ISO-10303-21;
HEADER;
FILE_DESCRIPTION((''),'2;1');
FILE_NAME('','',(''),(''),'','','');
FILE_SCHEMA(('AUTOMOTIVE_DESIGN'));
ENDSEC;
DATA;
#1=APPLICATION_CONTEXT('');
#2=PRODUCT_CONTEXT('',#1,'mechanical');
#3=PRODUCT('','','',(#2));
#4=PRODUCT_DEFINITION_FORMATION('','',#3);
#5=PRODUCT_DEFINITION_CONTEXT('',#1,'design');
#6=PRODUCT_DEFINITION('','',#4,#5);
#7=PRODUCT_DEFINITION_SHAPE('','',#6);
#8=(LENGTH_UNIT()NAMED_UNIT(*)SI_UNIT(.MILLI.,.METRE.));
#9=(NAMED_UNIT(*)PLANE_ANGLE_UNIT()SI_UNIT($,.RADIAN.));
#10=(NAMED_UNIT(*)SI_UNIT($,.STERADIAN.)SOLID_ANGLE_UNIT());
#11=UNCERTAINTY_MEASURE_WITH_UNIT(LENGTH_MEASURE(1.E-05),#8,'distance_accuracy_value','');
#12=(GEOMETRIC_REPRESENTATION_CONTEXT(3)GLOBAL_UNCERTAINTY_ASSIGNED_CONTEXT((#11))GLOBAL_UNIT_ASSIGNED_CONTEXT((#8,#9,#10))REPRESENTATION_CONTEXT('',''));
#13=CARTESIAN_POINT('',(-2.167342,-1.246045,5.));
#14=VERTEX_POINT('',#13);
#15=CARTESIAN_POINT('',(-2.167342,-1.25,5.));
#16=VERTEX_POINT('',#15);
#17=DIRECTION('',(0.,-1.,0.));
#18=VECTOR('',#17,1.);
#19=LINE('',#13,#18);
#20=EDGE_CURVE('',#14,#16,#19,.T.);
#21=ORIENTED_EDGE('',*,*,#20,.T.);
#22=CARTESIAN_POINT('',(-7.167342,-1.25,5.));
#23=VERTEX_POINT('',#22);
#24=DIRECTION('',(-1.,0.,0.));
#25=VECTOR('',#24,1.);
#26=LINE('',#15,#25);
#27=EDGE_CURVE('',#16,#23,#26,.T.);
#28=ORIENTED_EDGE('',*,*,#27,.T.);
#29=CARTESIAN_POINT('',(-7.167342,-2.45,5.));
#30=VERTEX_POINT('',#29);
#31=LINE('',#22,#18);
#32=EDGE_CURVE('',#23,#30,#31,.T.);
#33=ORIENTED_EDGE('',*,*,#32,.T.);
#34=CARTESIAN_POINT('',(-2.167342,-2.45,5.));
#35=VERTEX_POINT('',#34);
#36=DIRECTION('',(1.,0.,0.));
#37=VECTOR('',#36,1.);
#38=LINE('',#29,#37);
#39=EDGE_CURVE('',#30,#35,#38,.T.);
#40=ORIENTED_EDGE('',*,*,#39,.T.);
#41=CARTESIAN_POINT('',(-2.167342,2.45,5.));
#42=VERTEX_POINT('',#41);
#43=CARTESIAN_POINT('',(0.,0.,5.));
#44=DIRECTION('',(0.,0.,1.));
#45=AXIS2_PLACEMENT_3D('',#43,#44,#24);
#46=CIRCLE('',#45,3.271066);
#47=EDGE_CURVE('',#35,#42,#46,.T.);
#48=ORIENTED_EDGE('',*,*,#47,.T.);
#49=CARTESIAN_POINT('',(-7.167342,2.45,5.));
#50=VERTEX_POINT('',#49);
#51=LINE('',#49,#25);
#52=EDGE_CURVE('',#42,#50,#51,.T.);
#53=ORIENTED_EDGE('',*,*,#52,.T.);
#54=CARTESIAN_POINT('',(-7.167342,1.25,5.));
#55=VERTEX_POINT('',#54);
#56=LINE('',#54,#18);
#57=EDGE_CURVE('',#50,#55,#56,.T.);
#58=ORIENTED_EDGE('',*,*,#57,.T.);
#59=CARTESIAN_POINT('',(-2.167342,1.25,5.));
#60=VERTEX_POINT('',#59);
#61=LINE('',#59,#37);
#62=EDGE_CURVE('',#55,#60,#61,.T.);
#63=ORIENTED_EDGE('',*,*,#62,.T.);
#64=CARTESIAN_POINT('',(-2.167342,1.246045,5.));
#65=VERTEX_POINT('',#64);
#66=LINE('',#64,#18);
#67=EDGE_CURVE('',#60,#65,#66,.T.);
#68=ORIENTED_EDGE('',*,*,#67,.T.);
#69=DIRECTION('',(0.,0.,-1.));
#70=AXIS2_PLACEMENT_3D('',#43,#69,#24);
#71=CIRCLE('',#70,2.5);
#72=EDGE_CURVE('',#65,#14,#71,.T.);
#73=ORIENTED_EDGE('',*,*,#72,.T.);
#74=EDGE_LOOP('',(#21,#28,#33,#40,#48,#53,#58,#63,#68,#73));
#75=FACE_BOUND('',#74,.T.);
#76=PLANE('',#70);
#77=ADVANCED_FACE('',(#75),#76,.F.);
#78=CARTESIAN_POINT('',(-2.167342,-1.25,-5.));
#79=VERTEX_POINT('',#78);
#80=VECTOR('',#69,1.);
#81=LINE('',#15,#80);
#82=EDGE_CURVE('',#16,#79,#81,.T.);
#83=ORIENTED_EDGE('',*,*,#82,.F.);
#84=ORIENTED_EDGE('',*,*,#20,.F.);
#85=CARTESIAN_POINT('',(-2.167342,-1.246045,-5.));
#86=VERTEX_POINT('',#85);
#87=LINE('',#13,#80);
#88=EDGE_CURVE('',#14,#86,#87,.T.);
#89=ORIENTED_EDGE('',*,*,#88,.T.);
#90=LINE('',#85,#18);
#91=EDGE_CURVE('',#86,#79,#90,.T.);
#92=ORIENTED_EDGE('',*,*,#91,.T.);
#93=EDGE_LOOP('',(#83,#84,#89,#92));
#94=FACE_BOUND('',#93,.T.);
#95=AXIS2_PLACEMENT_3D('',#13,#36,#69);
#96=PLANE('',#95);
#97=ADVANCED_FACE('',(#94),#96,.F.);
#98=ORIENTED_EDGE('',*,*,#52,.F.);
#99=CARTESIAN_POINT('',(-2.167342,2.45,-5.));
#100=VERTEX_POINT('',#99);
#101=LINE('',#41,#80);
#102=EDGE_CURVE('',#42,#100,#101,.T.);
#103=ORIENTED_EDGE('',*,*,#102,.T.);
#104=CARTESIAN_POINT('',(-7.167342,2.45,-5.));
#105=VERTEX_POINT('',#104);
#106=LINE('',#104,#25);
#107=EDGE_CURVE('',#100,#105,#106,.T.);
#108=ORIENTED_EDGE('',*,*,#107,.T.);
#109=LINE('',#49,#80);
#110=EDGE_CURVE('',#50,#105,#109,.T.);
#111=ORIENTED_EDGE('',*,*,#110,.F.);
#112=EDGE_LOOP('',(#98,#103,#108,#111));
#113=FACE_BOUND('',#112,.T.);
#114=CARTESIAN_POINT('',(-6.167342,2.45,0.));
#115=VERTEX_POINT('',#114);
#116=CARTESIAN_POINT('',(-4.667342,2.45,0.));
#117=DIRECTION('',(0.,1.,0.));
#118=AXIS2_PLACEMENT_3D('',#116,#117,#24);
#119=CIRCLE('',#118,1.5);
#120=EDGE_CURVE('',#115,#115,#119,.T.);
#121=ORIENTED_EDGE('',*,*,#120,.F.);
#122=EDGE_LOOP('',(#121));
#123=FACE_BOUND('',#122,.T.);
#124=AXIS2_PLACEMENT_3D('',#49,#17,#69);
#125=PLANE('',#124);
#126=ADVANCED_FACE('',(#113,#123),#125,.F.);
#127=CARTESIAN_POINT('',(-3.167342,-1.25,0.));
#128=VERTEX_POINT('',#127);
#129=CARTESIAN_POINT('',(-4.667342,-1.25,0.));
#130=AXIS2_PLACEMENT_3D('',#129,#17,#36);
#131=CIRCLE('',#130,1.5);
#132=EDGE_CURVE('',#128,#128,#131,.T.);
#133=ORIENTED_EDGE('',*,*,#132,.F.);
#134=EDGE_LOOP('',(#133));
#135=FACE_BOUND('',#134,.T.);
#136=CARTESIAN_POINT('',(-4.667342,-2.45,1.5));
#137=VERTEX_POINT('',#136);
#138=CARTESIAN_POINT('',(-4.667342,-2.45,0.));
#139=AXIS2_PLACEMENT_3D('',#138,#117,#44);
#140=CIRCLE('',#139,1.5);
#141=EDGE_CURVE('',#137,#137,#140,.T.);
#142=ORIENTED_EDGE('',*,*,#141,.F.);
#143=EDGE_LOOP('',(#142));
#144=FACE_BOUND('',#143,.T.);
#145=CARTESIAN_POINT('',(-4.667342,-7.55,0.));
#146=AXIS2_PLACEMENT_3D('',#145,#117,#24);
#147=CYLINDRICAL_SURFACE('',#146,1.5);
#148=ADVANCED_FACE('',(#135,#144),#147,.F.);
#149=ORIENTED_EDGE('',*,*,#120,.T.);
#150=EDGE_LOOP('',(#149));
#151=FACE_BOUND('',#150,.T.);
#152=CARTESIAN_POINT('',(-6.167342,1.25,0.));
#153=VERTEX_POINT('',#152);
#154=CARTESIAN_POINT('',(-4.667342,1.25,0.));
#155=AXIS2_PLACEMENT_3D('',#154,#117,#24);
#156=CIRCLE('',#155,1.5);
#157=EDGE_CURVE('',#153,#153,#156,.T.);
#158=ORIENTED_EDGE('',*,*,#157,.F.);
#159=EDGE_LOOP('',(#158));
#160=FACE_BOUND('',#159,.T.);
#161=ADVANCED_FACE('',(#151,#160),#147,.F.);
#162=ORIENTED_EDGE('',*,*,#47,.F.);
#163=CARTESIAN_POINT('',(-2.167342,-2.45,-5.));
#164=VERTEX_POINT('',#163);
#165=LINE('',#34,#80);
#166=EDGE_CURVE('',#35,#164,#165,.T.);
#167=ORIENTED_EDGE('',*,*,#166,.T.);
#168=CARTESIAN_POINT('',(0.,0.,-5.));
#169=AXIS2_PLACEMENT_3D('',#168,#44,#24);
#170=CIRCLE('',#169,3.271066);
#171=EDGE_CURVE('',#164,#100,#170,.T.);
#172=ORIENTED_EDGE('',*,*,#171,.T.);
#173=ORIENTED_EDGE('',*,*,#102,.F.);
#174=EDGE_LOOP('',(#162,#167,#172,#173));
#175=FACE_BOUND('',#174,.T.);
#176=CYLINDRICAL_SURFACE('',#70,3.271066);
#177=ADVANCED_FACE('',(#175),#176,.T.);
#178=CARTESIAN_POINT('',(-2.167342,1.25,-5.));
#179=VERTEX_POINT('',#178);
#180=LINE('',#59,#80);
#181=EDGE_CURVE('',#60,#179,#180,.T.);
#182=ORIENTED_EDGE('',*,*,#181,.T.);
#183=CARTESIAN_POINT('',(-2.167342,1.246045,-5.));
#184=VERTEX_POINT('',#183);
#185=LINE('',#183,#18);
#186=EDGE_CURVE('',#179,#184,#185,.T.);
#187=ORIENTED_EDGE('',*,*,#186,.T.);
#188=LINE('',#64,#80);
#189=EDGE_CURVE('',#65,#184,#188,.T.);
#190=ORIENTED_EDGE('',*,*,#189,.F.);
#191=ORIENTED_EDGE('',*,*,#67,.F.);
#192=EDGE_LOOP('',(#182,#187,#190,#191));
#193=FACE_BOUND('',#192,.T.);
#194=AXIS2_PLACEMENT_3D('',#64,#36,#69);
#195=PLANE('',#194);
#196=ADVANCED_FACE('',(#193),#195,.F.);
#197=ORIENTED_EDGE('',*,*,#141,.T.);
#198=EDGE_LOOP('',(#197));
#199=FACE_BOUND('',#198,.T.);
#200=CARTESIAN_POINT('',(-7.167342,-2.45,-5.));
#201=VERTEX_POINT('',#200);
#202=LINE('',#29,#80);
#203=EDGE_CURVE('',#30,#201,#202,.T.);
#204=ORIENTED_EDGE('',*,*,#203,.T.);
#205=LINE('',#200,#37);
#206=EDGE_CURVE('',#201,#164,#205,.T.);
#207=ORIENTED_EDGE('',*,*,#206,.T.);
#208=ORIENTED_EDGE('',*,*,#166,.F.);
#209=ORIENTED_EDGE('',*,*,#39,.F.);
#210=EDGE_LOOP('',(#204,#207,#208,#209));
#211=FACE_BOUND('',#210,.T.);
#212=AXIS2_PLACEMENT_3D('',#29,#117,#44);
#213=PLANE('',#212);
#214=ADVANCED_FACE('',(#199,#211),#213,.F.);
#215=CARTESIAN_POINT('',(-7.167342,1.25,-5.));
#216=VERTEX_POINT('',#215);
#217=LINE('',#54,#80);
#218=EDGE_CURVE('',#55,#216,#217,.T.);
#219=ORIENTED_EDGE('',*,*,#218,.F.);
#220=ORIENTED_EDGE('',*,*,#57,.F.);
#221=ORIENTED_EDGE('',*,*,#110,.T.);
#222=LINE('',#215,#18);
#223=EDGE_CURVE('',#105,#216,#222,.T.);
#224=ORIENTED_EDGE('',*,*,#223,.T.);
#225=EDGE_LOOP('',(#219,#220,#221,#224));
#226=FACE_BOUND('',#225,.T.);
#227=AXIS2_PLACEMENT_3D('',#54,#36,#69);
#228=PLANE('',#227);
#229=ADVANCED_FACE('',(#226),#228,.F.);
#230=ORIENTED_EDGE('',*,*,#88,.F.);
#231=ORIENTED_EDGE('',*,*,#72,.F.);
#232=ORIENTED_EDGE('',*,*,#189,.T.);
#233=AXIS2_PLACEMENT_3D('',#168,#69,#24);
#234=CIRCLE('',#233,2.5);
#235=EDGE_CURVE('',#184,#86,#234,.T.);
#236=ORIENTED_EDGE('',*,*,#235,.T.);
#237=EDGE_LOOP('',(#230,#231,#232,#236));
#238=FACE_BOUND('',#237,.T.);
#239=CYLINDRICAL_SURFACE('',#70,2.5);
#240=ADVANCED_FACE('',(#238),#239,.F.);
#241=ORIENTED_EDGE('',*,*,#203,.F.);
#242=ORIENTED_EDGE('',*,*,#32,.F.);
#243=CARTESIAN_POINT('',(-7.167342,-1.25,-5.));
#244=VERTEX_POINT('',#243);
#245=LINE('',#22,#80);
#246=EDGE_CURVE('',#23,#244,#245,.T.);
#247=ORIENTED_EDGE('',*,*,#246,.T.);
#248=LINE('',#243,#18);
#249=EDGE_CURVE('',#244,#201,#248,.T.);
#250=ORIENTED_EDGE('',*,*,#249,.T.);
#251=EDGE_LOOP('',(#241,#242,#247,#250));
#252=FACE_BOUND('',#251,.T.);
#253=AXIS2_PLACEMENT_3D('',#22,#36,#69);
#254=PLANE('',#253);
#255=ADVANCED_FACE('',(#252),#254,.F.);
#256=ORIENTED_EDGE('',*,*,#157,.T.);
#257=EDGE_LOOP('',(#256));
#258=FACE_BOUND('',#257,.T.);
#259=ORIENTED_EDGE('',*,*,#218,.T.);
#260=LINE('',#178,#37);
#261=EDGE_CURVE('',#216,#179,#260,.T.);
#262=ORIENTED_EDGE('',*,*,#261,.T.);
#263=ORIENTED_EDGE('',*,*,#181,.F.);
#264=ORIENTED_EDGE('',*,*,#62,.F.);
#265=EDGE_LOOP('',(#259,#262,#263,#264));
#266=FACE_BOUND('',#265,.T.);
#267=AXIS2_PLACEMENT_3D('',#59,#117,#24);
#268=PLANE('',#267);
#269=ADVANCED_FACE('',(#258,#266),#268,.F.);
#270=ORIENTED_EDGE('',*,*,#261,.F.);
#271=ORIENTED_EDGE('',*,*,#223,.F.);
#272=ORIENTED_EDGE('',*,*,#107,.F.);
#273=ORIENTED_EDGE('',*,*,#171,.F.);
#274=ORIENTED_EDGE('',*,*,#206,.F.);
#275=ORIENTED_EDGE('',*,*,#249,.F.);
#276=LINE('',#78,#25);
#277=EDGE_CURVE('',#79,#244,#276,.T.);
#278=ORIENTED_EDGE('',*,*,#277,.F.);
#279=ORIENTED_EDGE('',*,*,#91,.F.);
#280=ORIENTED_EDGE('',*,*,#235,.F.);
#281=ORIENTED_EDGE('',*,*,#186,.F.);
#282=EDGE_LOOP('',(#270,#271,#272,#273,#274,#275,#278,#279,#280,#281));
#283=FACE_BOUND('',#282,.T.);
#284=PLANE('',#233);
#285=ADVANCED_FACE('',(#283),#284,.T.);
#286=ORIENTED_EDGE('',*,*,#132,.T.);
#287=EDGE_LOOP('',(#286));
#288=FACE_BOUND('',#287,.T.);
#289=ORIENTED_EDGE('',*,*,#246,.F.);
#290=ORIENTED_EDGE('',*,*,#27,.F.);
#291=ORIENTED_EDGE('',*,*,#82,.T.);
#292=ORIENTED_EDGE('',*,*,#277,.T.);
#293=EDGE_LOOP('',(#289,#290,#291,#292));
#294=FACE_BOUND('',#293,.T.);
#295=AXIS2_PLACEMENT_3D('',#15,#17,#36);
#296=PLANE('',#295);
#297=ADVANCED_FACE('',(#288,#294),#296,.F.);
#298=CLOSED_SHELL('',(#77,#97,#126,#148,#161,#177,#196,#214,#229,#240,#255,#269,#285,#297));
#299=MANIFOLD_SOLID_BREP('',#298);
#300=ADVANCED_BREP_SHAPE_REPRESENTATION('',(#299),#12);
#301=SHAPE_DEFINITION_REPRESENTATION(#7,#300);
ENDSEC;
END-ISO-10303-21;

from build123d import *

# Parameters (mm, degrees)
BOSS_EXTRUDE1_DEPTH = 5
SKETCH2_R           = 1.5
CUT_EXTRUDE1_DEPTH  = 10


with BuildPart() as part:
    # Sketch1 → Boss-Extrude1 (new, symmetric)
    with BuildSketch(Plane.XY):
        with BuildLine():
            Line((-7.167342336, 1.25), (-7.167342336, 2.45))
            Line((-7.167342336, 2.45), (-2.167342336, 2.45))
            ThreePointArc((-2.167342336, 2.45), (3.271066004, 0), (-2.167342336, -2.45))
            Line((-2.167342336, -2.45), (-7.167342336, -2.45))
            Line((-7.167342336, -2.45), (-7.167342336, -1.25))
            Line((-7.167342336, -1.25), (-2.167342336, -1.25))
            Line((-2.167342336, -1.25), (-2.167342336, -1.246044622))
            ThreePointArc((-2.167342336, -1.246044622), (2.5, 0), (-2.167342336, 1.246044622))
            Line((-2.167342336, 1.246044622), (-2.167342336, 1.25))
            Line((-2.167342336, 1.25), (-7.167342336, 1.25))
        make_face()
    extrude(amount=BOSS_EXTRUDE1_DEPTH, both=True)

    # Sketch2 → Cut-Extrude1 (cut)
    with BuildSketch(Plane(origin=(0, 2.45, 0), x_dir=(1, 0, 0), z_dir=(0, 1, 0))):
        with Locations(Location((-4.667342336, 0, 0), (0, 0, 180))):
            Circle(SKETCH2_R)
    extrude(amount=-CUT_EXTRUDE1_DEPTH, mode=Mode.SUBTRACT)


solid = part.part
